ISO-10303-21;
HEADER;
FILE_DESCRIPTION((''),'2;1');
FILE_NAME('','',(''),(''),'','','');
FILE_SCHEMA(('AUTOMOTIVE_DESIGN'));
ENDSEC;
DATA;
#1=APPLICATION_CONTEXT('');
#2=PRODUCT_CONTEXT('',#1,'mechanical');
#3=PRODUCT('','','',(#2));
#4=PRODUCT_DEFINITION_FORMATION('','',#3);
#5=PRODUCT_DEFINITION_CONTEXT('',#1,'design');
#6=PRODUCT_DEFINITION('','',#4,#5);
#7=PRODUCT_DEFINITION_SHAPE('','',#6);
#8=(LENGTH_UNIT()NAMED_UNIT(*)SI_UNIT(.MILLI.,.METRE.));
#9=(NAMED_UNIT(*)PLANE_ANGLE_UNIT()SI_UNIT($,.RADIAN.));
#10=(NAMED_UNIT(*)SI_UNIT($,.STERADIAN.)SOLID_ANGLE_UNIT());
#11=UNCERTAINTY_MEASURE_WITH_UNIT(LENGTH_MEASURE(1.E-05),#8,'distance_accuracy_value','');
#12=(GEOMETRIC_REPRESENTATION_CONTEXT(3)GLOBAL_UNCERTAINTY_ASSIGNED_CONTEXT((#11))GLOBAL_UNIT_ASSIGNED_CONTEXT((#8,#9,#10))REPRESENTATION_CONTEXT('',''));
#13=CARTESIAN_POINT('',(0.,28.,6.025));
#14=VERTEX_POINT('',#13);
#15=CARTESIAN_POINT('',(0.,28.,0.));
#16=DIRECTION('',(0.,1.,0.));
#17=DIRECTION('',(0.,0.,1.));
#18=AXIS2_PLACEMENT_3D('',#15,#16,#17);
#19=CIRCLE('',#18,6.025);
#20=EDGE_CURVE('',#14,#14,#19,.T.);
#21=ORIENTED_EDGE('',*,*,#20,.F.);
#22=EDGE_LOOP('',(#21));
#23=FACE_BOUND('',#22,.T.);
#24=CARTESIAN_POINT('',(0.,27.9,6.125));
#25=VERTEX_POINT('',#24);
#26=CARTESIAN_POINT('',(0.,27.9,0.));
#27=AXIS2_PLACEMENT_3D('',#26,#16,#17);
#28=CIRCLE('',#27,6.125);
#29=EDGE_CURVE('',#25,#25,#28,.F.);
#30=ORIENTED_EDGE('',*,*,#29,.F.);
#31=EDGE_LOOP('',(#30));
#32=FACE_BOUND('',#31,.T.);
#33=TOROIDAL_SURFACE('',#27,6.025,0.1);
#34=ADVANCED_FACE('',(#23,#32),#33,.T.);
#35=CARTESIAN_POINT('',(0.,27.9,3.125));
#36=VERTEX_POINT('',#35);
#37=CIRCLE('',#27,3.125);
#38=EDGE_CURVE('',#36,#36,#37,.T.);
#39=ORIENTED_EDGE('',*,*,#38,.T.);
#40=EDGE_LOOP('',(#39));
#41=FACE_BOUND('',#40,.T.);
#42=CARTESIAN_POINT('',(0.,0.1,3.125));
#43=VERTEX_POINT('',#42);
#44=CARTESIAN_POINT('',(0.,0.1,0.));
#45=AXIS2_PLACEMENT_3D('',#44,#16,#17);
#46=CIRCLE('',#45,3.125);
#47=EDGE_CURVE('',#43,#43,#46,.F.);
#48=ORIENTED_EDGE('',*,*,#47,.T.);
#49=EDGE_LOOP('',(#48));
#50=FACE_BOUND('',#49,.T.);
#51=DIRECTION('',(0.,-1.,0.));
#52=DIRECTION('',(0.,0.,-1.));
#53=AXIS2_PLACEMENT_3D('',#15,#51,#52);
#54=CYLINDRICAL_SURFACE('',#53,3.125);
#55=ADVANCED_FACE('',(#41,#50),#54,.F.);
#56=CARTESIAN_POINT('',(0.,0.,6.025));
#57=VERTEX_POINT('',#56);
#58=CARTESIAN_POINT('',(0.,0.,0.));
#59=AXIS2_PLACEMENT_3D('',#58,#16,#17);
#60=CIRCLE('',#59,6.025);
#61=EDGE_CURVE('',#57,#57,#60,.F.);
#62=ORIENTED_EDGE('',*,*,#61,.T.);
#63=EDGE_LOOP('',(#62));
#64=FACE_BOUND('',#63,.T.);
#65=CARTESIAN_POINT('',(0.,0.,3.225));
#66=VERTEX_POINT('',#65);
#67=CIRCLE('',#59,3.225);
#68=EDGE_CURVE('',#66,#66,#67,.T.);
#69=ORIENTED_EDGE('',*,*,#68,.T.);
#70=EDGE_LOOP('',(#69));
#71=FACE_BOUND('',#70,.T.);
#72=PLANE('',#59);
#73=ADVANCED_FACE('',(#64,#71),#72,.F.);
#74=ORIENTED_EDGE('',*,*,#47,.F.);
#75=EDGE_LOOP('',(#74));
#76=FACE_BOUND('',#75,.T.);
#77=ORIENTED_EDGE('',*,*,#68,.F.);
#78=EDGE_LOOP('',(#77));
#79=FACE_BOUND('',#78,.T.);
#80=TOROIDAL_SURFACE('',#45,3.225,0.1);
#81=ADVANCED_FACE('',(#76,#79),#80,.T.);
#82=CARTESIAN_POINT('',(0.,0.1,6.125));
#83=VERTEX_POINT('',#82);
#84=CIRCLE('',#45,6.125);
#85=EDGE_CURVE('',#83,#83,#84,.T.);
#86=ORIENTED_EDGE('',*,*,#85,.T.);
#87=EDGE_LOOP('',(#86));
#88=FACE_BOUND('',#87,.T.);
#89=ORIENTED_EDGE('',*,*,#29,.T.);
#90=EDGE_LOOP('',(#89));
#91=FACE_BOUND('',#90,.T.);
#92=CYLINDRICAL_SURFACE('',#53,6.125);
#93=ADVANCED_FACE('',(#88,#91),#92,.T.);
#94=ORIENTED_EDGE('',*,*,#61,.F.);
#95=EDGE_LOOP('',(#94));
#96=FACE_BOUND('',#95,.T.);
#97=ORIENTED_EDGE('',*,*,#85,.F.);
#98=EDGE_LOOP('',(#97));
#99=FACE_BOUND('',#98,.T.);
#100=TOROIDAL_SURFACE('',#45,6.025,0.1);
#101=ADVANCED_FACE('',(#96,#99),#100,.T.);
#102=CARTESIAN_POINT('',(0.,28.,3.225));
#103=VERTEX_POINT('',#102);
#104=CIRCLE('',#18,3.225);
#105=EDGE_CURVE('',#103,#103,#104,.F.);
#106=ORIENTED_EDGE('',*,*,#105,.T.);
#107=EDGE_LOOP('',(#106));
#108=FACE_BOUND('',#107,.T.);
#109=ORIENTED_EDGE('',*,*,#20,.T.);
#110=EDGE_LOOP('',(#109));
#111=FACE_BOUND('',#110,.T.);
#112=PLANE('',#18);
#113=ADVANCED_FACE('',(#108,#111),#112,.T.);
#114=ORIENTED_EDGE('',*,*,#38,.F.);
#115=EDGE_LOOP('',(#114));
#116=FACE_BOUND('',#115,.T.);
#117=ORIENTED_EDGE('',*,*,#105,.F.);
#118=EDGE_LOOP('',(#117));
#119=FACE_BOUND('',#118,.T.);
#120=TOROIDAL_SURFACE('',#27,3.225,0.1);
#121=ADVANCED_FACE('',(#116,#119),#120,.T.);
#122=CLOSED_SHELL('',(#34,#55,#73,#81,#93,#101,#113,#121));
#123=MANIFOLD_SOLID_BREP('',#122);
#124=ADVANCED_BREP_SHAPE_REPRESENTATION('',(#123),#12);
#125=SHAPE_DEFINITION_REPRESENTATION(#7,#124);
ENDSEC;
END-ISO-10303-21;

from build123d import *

# Parameters (mm, degrees)
SKETCH1_R           = 6.125
SKETCH1_R_2         = 3.125
EXTRUDE_THIN1_DEPTH = 28
FILLET1_R           = 0.1


with BuildPart() as part:
    # Sketch1 → Extrude-Thin1 (new body)
    with BuildSketch(Plane(origin=(0, 0, 0), x_dir=(1, 0, 0), z_dir=(0, 1, 0))):
        Circle(SKETCH1_R)
        Circle(SKETCH1_R_2, mode=Mode.SUBTRACT)
    extrude(amount=EXTRUDE_THIN1_DEPTH)

    # Fillet1
    fillet1_edges = [part.edges().sort_by_distance(p)[0] for p in [
        (-6.125, 0, 0),
        (-6.125, 28, 0),
        (-3.125, 0, 0),
        (-3.125, 28, 0),
    ]]
    fillet(fillet1_edges, radius=FILLET1_R)


solid = part.part
